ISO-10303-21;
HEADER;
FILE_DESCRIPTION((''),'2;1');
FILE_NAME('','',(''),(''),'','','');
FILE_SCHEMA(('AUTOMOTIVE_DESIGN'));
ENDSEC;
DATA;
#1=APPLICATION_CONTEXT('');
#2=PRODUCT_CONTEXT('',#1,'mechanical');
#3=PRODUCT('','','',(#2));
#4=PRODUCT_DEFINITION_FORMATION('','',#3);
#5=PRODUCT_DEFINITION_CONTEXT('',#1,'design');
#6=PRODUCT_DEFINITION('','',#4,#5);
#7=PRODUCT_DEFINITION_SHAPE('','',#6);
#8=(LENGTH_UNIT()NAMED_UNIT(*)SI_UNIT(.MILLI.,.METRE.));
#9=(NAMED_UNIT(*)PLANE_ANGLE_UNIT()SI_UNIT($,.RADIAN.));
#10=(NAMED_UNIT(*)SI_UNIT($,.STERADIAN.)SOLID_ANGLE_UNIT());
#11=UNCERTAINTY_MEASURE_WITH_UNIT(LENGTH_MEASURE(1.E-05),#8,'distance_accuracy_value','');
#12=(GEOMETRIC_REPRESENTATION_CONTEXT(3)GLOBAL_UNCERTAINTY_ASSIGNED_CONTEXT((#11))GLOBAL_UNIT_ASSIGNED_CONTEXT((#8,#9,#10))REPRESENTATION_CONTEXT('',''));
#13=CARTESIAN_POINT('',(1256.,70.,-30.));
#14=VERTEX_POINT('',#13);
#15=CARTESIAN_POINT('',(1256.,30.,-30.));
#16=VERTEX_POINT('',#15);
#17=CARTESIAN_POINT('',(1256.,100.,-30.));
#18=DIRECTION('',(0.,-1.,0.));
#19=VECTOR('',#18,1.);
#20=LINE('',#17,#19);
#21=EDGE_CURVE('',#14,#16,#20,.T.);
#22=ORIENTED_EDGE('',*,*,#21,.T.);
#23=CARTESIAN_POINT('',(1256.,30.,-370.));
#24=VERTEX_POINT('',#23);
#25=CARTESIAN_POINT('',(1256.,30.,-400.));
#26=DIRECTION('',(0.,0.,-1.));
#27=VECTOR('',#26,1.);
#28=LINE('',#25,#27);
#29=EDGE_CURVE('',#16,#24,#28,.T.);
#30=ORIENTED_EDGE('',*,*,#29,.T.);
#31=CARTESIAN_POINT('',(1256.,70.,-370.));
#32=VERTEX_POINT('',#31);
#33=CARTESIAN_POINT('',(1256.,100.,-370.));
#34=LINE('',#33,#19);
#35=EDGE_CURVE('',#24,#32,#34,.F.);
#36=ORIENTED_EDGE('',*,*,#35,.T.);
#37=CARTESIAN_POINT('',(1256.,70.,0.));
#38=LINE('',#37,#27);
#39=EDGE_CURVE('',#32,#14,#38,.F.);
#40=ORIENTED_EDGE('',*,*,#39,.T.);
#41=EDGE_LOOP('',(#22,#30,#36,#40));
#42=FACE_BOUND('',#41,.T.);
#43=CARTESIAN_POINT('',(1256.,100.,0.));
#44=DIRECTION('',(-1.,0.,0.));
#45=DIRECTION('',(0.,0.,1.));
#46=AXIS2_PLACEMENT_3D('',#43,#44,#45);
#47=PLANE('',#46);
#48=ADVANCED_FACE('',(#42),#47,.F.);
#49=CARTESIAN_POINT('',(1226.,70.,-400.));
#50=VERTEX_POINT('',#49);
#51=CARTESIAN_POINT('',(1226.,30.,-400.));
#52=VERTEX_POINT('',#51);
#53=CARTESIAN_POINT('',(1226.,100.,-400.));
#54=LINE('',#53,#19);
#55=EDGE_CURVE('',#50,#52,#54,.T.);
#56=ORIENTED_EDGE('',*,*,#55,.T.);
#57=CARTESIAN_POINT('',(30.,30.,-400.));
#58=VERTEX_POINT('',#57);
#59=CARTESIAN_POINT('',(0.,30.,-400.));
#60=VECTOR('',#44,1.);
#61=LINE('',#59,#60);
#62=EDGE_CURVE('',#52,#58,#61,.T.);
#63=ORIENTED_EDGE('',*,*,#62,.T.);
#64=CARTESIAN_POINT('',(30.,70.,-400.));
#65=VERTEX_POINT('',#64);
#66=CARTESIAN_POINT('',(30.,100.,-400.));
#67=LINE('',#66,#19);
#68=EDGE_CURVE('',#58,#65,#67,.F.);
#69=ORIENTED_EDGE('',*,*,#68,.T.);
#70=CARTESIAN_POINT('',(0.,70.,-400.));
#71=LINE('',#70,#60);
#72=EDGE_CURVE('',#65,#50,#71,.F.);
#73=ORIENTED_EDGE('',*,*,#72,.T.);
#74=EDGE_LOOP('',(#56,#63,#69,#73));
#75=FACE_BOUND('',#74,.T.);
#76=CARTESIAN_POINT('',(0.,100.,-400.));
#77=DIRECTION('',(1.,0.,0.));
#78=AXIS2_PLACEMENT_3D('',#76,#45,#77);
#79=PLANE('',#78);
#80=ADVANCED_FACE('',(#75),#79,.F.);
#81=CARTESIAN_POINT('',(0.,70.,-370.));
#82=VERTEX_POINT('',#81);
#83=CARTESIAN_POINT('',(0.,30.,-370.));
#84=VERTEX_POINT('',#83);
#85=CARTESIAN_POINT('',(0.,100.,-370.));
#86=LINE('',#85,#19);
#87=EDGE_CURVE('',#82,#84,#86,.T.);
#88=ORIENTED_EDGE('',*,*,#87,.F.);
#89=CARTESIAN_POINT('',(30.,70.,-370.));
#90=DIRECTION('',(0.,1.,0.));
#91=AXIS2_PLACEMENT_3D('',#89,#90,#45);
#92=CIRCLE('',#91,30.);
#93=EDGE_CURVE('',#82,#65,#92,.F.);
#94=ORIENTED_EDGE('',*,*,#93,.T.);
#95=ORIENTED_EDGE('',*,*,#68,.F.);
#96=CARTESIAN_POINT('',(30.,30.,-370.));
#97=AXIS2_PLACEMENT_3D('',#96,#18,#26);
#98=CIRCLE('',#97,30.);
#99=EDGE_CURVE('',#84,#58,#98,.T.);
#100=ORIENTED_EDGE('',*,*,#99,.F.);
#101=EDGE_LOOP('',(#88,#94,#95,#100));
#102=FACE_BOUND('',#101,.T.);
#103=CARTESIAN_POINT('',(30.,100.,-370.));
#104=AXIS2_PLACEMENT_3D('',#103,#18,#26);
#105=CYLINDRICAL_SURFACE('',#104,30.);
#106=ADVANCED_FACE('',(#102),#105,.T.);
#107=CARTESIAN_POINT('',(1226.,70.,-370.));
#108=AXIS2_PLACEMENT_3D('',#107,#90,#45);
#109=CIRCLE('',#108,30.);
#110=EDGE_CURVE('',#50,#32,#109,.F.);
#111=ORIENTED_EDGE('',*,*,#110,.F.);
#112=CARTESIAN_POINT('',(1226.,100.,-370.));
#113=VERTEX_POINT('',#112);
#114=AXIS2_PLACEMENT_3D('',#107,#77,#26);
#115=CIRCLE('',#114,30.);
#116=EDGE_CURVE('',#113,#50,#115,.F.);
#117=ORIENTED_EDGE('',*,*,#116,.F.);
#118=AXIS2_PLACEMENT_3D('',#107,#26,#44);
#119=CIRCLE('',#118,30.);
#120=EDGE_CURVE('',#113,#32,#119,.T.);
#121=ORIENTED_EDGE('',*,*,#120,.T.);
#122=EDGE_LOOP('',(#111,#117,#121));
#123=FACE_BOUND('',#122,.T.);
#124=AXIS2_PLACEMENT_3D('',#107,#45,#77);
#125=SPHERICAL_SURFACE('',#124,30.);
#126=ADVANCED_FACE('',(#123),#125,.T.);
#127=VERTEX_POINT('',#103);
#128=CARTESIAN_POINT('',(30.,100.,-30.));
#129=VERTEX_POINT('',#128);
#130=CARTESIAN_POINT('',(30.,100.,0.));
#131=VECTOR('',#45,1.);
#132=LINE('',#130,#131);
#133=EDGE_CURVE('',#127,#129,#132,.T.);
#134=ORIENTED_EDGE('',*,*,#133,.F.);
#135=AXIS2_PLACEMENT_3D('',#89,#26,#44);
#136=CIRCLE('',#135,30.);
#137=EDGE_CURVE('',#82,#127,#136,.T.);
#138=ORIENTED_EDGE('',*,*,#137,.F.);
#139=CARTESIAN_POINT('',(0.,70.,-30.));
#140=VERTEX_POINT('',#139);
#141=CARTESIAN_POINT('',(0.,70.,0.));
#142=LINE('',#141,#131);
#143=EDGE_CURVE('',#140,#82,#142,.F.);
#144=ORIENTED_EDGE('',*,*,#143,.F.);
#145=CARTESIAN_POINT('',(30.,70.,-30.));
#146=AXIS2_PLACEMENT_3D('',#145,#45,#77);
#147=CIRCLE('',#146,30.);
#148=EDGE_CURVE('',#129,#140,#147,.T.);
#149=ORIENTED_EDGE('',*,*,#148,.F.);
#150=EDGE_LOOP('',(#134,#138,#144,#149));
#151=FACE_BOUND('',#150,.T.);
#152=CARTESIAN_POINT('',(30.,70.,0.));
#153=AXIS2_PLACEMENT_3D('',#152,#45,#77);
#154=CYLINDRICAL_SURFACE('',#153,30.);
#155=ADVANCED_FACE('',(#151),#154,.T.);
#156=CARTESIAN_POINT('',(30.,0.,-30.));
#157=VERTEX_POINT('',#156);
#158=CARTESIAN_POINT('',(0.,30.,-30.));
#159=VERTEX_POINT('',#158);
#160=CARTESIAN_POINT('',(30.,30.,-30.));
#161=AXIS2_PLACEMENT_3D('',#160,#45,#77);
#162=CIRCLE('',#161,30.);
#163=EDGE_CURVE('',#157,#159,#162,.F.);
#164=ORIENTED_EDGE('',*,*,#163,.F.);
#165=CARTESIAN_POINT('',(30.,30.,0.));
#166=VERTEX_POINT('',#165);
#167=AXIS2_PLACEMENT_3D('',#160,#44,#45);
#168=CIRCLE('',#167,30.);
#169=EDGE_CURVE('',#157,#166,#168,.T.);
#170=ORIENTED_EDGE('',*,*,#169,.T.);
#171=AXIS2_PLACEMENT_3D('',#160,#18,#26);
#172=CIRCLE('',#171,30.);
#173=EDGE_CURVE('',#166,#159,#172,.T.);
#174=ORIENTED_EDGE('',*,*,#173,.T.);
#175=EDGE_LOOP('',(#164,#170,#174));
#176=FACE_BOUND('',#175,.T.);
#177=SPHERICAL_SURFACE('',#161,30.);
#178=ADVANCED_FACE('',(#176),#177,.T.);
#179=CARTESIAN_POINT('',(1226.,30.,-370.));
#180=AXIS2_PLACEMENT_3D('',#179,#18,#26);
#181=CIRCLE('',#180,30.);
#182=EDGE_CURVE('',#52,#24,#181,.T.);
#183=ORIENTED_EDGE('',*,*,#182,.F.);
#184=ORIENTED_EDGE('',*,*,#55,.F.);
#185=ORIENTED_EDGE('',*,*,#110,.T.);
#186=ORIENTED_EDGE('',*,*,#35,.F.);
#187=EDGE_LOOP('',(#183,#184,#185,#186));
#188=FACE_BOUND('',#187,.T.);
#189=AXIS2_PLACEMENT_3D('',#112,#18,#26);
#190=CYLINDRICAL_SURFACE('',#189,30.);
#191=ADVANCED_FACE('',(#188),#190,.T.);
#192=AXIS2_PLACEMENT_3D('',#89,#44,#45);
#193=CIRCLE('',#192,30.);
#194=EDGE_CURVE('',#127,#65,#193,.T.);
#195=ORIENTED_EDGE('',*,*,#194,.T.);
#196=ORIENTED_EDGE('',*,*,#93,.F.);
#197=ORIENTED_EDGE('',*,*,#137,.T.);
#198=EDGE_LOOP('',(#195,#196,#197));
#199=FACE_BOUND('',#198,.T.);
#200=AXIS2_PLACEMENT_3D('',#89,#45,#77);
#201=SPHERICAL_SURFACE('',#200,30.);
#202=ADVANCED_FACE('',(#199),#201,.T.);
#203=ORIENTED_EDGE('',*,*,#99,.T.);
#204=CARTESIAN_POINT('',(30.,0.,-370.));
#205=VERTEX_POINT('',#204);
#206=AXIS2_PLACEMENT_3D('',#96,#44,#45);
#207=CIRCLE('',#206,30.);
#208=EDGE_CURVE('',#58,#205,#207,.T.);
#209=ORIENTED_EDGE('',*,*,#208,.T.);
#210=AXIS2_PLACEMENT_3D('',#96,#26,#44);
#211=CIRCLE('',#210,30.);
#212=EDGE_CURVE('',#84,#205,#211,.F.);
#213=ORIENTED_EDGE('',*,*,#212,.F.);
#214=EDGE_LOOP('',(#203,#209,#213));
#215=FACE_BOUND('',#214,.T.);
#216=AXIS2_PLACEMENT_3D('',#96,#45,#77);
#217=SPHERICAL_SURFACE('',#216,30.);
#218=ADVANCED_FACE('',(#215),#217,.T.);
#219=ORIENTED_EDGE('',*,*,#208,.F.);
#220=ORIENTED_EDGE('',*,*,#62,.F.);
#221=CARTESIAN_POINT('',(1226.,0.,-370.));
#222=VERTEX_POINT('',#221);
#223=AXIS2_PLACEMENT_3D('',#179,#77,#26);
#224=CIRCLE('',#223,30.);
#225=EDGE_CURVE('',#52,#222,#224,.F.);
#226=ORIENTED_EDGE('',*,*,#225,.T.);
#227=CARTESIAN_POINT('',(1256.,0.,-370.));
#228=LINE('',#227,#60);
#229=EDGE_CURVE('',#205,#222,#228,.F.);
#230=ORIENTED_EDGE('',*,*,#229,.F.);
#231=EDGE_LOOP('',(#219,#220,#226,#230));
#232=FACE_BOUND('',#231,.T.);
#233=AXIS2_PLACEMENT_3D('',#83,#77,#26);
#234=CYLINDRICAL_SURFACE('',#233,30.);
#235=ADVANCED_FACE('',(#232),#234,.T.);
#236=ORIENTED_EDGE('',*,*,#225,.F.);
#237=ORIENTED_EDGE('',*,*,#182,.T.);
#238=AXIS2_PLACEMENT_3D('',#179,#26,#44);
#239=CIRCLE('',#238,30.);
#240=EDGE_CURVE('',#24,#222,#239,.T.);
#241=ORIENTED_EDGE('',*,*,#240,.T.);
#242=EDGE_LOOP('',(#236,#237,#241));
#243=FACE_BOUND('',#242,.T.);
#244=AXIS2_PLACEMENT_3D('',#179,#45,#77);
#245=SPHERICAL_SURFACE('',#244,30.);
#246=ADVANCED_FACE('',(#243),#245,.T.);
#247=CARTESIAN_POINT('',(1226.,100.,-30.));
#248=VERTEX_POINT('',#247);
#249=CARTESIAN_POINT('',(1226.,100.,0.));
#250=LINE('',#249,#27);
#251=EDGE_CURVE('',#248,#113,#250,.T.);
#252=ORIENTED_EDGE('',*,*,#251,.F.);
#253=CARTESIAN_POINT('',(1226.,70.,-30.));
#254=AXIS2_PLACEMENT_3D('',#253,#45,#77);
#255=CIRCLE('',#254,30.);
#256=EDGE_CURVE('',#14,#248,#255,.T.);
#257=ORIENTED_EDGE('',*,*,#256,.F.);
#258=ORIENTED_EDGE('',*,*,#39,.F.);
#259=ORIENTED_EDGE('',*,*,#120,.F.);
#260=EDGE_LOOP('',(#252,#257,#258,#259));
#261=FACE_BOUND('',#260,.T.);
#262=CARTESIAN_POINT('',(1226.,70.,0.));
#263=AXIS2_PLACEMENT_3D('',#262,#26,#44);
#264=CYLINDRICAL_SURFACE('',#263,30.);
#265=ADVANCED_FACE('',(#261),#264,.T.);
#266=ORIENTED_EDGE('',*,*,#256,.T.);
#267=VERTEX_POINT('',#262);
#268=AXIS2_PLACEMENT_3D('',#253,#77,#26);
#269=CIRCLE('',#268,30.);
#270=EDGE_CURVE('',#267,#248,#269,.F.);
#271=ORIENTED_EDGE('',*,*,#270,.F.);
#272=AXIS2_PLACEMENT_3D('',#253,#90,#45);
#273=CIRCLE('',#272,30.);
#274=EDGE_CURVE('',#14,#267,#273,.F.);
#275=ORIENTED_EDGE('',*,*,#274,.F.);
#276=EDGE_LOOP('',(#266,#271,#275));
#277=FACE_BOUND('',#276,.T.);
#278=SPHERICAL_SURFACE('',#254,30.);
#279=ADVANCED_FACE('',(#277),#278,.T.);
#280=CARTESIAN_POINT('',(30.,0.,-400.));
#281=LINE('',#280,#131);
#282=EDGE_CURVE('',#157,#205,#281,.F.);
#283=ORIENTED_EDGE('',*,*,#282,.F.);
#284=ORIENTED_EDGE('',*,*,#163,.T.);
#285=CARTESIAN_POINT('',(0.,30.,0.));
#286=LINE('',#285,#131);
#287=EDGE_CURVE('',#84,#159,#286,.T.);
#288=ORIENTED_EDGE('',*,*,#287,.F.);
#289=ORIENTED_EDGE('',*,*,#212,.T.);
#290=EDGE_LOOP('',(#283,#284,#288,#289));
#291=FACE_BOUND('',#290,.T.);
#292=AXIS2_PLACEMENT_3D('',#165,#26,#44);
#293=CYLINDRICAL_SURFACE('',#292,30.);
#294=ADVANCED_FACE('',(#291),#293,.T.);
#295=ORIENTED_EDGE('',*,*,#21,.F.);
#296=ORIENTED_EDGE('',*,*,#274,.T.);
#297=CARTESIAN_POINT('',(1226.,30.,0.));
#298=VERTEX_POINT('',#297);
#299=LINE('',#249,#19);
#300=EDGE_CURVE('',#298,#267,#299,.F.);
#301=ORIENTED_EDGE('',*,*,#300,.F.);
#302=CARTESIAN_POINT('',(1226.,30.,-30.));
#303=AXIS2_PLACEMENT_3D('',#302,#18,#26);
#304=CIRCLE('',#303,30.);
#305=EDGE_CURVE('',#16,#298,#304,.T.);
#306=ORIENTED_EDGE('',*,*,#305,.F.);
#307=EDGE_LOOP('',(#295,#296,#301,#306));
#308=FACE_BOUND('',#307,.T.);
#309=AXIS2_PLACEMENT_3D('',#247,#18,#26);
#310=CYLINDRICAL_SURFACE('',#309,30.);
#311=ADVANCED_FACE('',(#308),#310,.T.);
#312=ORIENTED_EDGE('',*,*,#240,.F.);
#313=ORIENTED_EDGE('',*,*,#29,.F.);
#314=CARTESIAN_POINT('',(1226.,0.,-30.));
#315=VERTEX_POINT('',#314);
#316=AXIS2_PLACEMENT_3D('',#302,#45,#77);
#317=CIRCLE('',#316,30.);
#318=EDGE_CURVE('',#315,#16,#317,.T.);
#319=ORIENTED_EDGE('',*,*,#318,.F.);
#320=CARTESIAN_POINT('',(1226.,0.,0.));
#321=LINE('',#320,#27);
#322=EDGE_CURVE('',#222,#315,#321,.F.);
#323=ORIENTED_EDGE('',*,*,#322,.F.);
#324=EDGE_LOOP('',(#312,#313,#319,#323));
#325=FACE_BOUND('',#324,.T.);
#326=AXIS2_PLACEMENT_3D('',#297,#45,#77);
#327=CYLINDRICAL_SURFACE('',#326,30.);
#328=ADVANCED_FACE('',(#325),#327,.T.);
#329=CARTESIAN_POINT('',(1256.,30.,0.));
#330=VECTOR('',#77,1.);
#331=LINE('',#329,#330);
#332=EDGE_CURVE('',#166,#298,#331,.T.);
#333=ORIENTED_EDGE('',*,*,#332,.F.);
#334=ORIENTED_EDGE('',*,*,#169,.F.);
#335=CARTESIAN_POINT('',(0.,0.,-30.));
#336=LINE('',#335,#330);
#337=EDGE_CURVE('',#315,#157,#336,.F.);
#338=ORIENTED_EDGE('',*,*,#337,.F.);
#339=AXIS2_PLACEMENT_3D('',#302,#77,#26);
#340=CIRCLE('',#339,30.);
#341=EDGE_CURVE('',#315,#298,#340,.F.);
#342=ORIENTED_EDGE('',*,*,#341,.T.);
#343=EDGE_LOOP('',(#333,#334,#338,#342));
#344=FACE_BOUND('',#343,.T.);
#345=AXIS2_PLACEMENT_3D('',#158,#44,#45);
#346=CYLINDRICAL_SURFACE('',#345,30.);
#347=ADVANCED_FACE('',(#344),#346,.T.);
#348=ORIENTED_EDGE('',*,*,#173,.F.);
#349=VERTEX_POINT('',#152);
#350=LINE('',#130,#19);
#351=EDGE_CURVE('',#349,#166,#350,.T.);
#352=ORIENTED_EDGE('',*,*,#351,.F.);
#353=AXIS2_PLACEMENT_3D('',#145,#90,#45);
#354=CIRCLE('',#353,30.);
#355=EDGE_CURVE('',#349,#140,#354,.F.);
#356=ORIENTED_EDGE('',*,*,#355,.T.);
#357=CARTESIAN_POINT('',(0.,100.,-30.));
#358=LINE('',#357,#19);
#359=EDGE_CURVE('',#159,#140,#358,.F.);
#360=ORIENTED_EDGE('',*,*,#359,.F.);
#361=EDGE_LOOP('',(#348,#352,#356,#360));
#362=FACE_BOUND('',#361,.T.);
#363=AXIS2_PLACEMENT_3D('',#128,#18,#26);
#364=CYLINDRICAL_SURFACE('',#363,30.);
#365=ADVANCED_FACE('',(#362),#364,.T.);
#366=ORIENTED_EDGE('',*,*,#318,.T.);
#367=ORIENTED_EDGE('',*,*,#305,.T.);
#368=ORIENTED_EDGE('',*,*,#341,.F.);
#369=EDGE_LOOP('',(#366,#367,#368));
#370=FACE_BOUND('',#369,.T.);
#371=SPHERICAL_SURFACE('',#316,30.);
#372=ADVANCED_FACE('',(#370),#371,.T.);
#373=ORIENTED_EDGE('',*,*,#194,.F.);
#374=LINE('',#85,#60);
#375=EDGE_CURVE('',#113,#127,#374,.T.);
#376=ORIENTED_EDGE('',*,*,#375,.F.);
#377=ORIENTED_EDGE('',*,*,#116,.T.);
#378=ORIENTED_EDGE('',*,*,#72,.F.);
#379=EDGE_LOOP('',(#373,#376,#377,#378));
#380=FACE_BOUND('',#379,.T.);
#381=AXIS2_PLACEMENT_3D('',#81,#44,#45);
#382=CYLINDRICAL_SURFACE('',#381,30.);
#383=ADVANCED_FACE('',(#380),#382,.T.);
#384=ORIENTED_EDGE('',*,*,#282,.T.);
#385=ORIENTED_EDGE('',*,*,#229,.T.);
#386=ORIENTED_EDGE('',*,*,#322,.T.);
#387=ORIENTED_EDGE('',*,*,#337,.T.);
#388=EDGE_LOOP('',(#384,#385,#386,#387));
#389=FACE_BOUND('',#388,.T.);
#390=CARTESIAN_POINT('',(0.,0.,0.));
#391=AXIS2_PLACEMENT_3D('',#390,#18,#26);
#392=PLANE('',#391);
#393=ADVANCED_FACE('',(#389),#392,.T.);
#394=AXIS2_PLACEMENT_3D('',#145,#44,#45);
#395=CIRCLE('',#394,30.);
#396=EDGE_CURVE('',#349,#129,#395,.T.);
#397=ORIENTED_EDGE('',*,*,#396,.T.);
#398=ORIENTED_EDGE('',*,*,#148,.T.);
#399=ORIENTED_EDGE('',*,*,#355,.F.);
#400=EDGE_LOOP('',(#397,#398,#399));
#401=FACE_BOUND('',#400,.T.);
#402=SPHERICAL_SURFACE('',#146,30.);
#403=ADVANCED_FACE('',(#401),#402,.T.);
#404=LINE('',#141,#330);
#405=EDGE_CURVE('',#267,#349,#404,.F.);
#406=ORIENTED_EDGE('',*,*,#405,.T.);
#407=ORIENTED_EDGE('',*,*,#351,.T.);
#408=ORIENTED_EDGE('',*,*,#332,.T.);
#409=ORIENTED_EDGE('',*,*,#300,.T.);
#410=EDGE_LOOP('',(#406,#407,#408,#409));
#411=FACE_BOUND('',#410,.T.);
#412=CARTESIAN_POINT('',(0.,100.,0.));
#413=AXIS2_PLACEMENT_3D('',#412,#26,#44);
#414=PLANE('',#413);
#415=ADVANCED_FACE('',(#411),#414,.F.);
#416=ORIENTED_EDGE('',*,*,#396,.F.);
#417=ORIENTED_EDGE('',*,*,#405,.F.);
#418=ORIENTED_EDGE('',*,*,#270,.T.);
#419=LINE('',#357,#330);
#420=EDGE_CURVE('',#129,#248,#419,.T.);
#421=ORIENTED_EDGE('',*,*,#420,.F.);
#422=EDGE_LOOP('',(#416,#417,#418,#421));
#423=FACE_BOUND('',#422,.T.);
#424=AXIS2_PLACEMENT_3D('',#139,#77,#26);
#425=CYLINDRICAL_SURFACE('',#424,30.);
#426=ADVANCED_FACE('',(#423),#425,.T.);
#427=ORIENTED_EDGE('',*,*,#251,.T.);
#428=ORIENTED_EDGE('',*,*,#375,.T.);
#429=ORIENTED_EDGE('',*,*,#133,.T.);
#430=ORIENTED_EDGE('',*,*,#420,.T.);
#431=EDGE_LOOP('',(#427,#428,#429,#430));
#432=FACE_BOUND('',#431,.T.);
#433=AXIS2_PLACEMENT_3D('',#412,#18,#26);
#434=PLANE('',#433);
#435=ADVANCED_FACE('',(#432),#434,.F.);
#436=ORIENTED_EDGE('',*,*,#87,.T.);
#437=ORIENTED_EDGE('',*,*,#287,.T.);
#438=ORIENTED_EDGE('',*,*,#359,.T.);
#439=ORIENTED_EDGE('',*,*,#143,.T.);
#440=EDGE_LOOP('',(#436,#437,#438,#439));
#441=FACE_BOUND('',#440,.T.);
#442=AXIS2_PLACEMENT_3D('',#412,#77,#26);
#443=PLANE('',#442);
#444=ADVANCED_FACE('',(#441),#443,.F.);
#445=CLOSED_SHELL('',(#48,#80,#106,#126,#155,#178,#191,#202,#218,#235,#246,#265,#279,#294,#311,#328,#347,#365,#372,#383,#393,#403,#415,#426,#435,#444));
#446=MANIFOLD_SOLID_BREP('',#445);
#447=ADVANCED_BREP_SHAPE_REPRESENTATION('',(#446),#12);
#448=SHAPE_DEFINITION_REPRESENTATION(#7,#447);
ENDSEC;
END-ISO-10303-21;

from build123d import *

# Parameters (mm, degrees)
SKETCH1_W           = 1256
SKETCH1_H           = 400
BOSS_EXTRUDE1_DEPTH = 100
FILLET1_R           = 30


with BuildPart() as part:
    # Sketch1 → Boss-Extrude1 (new body)
    with BuildSketch(Plane(origin=(0, 0, 0), x_dir=(1, 0, 0), z_dir=(0, 1, 0))):
        with Locations((628, 200)):
            Rectangle(SKETCH1_W, SKETCH1_H)
    extrude(amount=BOSS_EXTRUDE1_DEPTH)

    # Fillet1
    fillet1_edges = [part.edges().sort_by_distance(p)[0] for p in [
        (1256, 100, -200),
        (628, 100, -400),
        (0, 100, -200),
        (628, 0, -400),
        (1256, 0, -200),
        (628, 0, 0),
        (0, 0, -200),
        (0, 50, -400),
        (1256, 50, -400),
        (1256, 50, 0),
        (0, 50, 0),
        (628, 100, 0),
    ]]
    fillet(fillet1_edges, radius=FILLET1_R)


solid = part.part
